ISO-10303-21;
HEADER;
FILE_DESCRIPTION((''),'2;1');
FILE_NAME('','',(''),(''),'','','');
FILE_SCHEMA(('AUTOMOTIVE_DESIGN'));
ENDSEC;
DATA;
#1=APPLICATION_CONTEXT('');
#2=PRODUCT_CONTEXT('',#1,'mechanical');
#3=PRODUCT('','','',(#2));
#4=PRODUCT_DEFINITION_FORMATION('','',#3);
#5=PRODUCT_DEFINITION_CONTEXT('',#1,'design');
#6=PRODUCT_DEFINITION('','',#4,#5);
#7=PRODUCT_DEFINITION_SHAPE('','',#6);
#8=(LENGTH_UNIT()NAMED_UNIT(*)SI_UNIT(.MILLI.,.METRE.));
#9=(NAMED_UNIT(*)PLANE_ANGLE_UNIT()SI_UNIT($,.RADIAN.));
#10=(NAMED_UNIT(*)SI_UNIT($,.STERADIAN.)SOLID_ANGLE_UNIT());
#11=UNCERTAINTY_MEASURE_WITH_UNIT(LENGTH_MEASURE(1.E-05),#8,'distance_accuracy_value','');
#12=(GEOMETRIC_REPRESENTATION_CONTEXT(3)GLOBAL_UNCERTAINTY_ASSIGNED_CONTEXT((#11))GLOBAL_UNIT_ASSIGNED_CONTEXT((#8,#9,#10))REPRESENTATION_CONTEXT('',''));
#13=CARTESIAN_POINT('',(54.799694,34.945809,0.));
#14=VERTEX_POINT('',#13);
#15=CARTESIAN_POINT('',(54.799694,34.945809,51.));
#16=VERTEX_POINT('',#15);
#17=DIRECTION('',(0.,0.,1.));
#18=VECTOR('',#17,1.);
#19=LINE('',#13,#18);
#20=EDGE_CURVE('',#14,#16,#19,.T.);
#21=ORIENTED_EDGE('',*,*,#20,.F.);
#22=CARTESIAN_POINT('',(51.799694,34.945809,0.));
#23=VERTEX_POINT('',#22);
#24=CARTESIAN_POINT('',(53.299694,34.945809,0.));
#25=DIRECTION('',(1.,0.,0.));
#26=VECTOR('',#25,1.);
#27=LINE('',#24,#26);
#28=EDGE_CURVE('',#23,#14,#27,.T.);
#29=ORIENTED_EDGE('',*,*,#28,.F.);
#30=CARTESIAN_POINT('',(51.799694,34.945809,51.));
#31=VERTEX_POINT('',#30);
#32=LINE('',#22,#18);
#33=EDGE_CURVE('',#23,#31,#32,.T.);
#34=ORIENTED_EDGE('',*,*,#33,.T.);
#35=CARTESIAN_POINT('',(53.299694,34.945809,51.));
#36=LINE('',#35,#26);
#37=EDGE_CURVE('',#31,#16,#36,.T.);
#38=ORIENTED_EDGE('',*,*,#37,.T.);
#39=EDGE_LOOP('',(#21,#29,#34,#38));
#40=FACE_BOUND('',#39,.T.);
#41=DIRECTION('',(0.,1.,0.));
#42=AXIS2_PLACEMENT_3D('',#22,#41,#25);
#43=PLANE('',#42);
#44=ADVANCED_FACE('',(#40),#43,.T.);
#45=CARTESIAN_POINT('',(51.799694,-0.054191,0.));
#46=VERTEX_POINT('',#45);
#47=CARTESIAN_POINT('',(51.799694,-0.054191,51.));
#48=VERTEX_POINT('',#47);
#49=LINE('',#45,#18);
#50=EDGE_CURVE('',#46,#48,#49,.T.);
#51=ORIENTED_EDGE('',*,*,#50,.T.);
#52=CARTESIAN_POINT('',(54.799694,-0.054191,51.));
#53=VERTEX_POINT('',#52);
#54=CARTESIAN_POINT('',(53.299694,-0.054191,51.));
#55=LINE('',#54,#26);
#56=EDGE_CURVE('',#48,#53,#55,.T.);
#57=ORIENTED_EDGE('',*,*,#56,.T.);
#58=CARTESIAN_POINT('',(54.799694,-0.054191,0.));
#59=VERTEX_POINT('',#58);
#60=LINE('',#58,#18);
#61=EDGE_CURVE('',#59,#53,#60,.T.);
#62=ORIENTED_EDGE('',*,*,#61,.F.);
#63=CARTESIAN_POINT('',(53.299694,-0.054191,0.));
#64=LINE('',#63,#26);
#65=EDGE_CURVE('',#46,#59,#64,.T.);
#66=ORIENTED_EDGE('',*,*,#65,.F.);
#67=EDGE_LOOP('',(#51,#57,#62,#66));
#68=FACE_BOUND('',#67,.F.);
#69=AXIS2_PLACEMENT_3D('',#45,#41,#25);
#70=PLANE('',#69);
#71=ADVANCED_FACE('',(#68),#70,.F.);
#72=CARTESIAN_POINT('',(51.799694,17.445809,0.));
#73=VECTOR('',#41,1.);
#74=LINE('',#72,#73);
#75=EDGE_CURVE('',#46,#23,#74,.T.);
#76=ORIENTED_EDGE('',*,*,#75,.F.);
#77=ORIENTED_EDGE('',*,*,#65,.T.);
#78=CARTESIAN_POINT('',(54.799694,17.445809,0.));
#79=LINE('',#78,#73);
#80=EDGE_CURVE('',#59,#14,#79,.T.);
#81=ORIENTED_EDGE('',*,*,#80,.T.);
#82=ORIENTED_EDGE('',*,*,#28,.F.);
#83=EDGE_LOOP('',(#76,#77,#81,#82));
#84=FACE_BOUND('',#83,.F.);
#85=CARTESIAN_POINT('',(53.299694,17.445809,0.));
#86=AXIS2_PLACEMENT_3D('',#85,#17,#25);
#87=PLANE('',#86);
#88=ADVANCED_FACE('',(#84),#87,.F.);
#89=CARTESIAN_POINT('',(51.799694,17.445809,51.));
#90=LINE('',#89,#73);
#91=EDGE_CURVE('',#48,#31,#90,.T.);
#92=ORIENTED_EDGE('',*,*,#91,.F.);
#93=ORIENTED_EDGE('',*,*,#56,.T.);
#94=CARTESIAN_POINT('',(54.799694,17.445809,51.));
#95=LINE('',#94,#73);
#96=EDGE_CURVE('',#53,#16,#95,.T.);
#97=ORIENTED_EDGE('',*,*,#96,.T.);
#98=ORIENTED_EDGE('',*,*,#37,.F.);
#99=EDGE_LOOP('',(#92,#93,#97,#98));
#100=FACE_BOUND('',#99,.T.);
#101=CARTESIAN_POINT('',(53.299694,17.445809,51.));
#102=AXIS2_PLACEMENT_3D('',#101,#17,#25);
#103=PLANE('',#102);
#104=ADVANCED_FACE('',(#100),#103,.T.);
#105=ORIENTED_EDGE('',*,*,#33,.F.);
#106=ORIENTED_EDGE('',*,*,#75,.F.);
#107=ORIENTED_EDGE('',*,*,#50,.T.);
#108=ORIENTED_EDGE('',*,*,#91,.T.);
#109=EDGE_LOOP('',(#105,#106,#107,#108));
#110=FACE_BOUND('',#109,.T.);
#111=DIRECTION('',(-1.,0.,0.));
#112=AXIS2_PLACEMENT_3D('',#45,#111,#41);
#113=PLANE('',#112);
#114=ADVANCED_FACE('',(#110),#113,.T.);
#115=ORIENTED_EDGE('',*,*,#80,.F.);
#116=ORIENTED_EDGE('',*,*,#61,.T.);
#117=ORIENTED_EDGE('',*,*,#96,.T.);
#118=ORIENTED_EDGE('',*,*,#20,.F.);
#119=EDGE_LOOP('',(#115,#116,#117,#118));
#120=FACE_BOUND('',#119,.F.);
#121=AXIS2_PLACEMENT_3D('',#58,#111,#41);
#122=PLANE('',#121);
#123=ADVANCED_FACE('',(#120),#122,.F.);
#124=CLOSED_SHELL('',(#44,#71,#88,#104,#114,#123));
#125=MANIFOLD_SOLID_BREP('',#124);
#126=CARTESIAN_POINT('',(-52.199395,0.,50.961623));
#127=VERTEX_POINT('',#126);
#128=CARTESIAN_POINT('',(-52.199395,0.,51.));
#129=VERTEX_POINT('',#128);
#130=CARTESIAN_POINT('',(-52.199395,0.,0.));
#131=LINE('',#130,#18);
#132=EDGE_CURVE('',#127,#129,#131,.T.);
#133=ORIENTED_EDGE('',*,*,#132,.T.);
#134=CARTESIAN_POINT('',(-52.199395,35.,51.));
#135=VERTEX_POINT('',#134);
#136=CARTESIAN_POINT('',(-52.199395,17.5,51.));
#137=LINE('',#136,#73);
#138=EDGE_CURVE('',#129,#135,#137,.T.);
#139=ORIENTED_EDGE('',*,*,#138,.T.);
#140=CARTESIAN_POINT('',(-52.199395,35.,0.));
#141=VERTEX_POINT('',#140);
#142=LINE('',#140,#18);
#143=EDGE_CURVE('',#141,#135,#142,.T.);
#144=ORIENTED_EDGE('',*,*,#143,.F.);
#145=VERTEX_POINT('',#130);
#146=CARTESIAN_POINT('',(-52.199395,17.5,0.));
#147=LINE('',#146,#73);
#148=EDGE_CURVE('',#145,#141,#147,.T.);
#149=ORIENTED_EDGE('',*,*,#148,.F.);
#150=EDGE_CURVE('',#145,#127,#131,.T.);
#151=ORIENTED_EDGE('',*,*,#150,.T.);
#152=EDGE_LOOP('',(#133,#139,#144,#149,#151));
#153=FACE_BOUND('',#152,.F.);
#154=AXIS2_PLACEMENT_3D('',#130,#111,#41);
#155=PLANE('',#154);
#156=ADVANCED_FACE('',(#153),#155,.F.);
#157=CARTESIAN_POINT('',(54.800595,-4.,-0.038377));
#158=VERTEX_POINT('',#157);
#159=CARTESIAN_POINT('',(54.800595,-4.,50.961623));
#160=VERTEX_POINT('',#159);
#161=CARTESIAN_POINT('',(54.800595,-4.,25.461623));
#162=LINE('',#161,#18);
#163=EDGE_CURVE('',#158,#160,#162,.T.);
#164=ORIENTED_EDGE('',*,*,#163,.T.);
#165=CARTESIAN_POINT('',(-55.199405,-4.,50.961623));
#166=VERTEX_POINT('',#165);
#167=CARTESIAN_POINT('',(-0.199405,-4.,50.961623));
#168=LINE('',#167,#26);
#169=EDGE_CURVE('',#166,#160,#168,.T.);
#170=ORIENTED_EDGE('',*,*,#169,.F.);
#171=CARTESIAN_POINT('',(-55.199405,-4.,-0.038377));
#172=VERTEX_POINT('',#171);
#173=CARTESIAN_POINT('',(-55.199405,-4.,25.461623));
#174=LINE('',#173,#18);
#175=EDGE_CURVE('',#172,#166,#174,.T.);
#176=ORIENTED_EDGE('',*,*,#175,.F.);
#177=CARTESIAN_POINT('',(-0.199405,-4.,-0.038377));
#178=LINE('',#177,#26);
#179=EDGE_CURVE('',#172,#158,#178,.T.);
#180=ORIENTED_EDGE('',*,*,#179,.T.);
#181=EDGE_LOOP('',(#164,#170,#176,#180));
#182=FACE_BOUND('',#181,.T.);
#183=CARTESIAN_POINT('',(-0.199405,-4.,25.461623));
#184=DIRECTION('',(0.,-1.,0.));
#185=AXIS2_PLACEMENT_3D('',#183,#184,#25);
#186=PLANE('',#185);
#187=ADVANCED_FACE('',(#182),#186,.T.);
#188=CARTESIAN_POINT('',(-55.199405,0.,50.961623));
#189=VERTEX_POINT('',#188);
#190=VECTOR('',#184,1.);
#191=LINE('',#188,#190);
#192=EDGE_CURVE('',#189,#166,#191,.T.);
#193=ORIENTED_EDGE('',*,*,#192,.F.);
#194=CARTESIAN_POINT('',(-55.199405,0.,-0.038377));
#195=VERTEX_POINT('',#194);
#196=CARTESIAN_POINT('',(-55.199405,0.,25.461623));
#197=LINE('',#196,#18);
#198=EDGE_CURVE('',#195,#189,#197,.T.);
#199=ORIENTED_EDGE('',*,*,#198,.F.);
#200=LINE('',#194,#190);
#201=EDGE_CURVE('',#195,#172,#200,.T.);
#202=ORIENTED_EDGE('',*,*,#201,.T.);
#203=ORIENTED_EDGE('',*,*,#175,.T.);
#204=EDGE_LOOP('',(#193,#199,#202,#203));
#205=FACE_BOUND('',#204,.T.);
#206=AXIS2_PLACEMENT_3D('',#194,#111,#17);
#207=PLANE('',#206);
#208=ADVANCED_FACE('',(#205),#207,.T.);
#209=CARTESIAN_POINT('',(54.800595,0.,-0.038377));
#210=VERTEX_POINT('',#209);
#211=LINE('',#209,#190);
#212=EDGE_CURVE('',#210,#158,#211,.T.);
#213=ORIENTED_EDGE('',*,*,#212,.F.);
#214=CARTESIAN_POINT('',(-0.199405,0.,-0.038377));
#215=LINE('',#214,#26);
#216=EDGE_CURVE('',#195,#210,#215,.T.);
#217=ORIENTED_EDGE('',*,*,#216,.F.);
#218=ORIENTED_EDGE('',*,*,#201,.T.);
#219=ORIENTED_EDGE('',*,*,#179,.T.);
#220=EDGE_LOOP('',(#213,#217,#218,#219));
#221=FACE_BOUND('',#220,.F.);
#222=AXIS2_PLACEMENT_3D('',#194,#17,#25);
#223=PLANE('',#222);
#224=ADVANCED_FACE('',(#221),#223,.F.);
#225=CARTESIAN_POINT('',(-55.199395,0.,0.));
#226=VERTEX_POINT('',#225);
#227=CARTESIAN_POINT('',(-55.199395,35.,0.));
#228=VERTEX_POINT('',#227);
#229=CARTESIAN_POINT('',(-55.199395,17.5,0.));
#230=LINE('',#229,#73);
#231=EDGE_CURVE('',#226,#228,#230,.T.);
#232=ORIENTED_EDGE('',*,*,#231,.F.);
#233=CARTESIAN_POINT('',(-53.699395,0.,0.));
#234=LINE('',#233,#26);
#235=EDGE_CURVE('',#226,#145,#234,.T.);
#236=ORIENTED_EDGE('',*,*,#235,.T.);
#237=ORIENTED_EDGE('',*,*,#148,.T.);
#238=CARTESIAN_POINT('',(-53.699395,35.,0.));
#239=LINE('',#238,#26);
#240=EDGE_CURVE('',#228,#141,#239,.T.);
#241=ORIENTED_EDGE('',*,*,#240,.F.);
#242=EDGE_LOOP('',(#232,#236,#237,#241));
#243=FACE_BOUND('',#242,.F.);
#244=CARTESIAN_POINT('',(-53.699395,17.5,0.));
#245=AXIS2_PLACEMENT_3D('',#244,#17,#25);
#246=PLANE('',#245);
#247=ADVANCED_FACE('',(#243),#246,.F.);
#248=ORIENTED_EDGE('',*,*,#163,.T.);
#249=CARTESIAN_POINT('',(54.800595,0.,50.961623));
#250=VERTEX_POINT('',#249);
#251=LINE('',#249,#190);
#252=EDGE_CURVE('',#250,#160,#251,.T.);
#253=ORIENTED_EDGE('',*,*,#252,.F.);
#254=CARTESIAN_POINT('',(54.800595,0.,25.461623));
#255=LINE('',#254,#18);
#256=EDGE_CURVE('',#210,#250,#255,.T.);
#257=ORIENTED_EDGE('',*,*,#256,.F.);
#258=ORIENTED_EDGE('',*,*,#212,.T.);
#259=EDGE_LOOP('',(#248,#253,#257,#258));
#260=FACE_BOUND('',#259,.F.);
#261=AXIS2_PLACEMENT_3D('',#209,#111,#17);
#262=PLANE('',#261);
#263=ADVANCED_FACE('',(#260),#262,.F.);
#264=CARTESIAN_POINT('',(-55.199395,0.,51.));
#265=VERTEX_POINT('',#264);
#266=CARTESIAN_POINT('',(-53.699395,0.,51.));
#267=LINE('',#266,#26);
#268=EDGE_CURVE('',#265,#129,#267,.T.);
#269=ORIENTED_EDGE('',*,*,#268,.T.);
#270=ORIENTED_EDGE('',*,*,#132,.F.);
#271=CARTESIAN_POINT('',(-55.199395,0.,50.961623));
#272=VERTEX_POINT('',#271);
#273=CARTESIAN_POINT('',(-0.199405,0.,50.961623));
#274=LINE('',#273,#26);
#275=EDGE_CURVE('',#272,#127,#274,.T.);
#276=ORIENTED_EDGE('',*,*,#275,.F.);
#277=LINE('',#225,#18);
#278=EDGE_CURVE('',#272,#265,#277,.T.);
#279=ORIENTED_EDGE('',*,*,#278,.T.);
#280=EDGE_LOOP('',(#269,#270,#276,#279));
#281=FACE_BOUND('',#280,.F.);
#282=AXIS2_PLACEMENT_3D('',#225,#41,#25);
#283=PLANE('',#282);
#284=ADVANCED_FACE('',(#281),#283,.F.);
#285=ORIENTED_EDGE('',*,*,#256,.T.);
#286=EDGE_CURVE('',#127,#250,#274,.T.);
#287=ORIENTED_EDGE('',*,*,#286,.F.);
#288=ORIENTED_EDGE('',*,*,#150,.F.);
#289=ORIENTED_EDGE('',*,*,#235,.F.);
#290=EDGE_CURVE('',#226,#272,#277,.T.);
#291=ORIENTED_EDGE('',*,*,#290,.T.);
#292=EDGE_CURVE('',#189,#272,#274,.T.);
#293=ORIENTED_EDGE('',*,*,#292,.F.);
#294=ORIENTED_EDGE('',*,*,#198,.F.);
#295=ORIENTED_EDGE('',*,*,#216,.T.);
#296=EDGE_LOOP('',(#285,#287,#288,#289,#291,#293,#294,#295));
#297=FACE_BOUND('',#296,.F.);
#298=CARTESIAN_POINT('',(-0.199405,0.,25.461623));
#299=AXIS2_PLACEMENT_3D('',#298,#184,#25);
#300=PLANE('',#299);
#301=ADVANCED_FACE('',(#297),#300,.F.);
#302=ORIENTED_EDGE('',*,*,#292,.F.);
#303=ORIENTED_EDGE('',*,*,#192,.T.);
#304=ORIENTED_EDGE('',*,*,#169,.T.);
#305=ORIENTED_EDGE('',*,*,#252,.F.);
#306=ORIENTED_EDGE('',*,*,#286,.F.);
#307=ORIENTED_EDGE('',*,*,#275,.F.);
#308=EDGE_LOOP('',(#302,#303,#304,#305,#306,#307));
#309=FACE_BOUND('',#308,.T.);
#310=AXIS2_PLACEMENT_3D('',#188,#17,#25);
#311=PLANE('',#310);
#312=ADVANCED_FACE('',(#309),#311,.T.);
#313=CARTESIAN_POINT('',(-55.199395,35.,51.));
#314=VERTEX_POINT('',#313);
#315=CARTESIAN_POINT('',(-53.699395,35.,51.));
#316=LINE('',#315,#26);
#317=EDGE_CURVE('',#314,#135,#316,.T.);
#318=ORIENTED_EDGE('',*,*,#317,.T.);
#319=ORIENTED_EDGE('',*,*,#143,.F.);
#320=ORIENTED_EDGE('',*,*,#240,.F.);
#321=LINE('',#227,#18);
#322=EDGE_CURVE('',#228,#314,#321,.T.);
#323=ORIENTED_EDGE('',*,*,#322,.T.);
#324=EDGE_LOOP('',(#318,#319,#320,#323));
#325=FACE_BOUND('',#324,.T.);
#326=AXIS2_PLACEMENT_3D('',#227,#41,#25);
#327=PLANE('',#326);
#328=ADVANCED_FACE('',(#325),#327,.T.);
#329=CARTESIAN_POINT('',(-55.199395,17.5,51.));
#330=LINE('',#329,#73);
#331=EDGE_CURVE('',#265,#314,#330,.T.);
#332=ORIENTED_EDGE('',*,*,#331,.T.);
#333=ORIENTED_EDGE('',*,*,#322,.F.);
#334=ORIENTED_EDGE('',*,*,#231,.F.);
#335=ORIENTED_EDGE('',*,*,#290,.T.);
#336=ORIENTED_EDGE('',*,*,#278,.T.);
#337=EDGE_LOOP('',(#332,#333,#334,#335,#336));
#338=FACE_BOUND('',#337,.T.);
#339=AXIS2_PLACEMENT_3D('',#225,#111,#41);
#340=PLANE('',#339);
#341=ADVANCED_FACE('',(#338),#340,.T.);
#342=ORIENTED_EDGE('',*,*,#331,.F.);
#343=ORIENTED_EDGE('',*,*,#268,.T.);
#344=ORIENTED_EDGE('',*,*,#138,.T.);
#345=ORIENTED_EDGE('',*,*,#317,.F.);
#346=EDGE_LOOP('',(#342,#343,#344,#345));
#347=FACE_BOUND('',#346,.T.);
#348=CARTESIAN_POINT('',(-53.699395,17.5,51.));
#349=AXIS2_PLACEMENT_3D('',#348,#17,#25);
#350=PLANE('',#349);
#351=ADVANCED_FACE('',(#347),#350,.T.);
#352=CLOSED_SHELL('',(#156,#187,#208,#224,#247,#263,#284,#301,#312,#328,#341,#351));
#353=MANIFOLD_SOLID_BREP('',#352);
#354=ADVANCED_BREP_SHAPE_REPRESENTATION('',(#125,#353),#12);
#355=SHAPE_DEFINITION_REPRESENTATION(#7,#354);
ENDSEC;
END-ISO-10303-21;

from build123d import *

# Parameters (mm, degrees)
F0_W     = 110
F0_H     = 51
F1_DEPTH = 4
F2_W     = 3
F2_H     = 35
F3_DEPTH = 51
F4_W     = 3
F4_H     = 35
F5_DEPTH = 51


with BuildPart() as f1:
    # F0 (on Front) → F1 (new body)
    with BuildSketch(Plane.XZ):
        with Locations((-0.199405, 25.461623)):
            Rectangle(F0_W, F0_H)
    extrude(amount=F1_DEPTH)

    # F2 (on Top) → F3 (join)
    with BuildSketch(Plane.XY):
        with Locations((-53.699395, 17.5)):
            Rectangle(F2_W, F2_H)
    extrude(amount=F3_DEPTH)


with BuildPart() as f5:
    # F4 (on Top) → F5 (new body)
    with BuildSketch(Plane.XY):
        with Locations((53.299694, 17.445809)):
            Rectangle(F4_W, F4_H)
    extrude(amount=F5_DEPTH)


solid = Compound([f1.part, f5.part])
